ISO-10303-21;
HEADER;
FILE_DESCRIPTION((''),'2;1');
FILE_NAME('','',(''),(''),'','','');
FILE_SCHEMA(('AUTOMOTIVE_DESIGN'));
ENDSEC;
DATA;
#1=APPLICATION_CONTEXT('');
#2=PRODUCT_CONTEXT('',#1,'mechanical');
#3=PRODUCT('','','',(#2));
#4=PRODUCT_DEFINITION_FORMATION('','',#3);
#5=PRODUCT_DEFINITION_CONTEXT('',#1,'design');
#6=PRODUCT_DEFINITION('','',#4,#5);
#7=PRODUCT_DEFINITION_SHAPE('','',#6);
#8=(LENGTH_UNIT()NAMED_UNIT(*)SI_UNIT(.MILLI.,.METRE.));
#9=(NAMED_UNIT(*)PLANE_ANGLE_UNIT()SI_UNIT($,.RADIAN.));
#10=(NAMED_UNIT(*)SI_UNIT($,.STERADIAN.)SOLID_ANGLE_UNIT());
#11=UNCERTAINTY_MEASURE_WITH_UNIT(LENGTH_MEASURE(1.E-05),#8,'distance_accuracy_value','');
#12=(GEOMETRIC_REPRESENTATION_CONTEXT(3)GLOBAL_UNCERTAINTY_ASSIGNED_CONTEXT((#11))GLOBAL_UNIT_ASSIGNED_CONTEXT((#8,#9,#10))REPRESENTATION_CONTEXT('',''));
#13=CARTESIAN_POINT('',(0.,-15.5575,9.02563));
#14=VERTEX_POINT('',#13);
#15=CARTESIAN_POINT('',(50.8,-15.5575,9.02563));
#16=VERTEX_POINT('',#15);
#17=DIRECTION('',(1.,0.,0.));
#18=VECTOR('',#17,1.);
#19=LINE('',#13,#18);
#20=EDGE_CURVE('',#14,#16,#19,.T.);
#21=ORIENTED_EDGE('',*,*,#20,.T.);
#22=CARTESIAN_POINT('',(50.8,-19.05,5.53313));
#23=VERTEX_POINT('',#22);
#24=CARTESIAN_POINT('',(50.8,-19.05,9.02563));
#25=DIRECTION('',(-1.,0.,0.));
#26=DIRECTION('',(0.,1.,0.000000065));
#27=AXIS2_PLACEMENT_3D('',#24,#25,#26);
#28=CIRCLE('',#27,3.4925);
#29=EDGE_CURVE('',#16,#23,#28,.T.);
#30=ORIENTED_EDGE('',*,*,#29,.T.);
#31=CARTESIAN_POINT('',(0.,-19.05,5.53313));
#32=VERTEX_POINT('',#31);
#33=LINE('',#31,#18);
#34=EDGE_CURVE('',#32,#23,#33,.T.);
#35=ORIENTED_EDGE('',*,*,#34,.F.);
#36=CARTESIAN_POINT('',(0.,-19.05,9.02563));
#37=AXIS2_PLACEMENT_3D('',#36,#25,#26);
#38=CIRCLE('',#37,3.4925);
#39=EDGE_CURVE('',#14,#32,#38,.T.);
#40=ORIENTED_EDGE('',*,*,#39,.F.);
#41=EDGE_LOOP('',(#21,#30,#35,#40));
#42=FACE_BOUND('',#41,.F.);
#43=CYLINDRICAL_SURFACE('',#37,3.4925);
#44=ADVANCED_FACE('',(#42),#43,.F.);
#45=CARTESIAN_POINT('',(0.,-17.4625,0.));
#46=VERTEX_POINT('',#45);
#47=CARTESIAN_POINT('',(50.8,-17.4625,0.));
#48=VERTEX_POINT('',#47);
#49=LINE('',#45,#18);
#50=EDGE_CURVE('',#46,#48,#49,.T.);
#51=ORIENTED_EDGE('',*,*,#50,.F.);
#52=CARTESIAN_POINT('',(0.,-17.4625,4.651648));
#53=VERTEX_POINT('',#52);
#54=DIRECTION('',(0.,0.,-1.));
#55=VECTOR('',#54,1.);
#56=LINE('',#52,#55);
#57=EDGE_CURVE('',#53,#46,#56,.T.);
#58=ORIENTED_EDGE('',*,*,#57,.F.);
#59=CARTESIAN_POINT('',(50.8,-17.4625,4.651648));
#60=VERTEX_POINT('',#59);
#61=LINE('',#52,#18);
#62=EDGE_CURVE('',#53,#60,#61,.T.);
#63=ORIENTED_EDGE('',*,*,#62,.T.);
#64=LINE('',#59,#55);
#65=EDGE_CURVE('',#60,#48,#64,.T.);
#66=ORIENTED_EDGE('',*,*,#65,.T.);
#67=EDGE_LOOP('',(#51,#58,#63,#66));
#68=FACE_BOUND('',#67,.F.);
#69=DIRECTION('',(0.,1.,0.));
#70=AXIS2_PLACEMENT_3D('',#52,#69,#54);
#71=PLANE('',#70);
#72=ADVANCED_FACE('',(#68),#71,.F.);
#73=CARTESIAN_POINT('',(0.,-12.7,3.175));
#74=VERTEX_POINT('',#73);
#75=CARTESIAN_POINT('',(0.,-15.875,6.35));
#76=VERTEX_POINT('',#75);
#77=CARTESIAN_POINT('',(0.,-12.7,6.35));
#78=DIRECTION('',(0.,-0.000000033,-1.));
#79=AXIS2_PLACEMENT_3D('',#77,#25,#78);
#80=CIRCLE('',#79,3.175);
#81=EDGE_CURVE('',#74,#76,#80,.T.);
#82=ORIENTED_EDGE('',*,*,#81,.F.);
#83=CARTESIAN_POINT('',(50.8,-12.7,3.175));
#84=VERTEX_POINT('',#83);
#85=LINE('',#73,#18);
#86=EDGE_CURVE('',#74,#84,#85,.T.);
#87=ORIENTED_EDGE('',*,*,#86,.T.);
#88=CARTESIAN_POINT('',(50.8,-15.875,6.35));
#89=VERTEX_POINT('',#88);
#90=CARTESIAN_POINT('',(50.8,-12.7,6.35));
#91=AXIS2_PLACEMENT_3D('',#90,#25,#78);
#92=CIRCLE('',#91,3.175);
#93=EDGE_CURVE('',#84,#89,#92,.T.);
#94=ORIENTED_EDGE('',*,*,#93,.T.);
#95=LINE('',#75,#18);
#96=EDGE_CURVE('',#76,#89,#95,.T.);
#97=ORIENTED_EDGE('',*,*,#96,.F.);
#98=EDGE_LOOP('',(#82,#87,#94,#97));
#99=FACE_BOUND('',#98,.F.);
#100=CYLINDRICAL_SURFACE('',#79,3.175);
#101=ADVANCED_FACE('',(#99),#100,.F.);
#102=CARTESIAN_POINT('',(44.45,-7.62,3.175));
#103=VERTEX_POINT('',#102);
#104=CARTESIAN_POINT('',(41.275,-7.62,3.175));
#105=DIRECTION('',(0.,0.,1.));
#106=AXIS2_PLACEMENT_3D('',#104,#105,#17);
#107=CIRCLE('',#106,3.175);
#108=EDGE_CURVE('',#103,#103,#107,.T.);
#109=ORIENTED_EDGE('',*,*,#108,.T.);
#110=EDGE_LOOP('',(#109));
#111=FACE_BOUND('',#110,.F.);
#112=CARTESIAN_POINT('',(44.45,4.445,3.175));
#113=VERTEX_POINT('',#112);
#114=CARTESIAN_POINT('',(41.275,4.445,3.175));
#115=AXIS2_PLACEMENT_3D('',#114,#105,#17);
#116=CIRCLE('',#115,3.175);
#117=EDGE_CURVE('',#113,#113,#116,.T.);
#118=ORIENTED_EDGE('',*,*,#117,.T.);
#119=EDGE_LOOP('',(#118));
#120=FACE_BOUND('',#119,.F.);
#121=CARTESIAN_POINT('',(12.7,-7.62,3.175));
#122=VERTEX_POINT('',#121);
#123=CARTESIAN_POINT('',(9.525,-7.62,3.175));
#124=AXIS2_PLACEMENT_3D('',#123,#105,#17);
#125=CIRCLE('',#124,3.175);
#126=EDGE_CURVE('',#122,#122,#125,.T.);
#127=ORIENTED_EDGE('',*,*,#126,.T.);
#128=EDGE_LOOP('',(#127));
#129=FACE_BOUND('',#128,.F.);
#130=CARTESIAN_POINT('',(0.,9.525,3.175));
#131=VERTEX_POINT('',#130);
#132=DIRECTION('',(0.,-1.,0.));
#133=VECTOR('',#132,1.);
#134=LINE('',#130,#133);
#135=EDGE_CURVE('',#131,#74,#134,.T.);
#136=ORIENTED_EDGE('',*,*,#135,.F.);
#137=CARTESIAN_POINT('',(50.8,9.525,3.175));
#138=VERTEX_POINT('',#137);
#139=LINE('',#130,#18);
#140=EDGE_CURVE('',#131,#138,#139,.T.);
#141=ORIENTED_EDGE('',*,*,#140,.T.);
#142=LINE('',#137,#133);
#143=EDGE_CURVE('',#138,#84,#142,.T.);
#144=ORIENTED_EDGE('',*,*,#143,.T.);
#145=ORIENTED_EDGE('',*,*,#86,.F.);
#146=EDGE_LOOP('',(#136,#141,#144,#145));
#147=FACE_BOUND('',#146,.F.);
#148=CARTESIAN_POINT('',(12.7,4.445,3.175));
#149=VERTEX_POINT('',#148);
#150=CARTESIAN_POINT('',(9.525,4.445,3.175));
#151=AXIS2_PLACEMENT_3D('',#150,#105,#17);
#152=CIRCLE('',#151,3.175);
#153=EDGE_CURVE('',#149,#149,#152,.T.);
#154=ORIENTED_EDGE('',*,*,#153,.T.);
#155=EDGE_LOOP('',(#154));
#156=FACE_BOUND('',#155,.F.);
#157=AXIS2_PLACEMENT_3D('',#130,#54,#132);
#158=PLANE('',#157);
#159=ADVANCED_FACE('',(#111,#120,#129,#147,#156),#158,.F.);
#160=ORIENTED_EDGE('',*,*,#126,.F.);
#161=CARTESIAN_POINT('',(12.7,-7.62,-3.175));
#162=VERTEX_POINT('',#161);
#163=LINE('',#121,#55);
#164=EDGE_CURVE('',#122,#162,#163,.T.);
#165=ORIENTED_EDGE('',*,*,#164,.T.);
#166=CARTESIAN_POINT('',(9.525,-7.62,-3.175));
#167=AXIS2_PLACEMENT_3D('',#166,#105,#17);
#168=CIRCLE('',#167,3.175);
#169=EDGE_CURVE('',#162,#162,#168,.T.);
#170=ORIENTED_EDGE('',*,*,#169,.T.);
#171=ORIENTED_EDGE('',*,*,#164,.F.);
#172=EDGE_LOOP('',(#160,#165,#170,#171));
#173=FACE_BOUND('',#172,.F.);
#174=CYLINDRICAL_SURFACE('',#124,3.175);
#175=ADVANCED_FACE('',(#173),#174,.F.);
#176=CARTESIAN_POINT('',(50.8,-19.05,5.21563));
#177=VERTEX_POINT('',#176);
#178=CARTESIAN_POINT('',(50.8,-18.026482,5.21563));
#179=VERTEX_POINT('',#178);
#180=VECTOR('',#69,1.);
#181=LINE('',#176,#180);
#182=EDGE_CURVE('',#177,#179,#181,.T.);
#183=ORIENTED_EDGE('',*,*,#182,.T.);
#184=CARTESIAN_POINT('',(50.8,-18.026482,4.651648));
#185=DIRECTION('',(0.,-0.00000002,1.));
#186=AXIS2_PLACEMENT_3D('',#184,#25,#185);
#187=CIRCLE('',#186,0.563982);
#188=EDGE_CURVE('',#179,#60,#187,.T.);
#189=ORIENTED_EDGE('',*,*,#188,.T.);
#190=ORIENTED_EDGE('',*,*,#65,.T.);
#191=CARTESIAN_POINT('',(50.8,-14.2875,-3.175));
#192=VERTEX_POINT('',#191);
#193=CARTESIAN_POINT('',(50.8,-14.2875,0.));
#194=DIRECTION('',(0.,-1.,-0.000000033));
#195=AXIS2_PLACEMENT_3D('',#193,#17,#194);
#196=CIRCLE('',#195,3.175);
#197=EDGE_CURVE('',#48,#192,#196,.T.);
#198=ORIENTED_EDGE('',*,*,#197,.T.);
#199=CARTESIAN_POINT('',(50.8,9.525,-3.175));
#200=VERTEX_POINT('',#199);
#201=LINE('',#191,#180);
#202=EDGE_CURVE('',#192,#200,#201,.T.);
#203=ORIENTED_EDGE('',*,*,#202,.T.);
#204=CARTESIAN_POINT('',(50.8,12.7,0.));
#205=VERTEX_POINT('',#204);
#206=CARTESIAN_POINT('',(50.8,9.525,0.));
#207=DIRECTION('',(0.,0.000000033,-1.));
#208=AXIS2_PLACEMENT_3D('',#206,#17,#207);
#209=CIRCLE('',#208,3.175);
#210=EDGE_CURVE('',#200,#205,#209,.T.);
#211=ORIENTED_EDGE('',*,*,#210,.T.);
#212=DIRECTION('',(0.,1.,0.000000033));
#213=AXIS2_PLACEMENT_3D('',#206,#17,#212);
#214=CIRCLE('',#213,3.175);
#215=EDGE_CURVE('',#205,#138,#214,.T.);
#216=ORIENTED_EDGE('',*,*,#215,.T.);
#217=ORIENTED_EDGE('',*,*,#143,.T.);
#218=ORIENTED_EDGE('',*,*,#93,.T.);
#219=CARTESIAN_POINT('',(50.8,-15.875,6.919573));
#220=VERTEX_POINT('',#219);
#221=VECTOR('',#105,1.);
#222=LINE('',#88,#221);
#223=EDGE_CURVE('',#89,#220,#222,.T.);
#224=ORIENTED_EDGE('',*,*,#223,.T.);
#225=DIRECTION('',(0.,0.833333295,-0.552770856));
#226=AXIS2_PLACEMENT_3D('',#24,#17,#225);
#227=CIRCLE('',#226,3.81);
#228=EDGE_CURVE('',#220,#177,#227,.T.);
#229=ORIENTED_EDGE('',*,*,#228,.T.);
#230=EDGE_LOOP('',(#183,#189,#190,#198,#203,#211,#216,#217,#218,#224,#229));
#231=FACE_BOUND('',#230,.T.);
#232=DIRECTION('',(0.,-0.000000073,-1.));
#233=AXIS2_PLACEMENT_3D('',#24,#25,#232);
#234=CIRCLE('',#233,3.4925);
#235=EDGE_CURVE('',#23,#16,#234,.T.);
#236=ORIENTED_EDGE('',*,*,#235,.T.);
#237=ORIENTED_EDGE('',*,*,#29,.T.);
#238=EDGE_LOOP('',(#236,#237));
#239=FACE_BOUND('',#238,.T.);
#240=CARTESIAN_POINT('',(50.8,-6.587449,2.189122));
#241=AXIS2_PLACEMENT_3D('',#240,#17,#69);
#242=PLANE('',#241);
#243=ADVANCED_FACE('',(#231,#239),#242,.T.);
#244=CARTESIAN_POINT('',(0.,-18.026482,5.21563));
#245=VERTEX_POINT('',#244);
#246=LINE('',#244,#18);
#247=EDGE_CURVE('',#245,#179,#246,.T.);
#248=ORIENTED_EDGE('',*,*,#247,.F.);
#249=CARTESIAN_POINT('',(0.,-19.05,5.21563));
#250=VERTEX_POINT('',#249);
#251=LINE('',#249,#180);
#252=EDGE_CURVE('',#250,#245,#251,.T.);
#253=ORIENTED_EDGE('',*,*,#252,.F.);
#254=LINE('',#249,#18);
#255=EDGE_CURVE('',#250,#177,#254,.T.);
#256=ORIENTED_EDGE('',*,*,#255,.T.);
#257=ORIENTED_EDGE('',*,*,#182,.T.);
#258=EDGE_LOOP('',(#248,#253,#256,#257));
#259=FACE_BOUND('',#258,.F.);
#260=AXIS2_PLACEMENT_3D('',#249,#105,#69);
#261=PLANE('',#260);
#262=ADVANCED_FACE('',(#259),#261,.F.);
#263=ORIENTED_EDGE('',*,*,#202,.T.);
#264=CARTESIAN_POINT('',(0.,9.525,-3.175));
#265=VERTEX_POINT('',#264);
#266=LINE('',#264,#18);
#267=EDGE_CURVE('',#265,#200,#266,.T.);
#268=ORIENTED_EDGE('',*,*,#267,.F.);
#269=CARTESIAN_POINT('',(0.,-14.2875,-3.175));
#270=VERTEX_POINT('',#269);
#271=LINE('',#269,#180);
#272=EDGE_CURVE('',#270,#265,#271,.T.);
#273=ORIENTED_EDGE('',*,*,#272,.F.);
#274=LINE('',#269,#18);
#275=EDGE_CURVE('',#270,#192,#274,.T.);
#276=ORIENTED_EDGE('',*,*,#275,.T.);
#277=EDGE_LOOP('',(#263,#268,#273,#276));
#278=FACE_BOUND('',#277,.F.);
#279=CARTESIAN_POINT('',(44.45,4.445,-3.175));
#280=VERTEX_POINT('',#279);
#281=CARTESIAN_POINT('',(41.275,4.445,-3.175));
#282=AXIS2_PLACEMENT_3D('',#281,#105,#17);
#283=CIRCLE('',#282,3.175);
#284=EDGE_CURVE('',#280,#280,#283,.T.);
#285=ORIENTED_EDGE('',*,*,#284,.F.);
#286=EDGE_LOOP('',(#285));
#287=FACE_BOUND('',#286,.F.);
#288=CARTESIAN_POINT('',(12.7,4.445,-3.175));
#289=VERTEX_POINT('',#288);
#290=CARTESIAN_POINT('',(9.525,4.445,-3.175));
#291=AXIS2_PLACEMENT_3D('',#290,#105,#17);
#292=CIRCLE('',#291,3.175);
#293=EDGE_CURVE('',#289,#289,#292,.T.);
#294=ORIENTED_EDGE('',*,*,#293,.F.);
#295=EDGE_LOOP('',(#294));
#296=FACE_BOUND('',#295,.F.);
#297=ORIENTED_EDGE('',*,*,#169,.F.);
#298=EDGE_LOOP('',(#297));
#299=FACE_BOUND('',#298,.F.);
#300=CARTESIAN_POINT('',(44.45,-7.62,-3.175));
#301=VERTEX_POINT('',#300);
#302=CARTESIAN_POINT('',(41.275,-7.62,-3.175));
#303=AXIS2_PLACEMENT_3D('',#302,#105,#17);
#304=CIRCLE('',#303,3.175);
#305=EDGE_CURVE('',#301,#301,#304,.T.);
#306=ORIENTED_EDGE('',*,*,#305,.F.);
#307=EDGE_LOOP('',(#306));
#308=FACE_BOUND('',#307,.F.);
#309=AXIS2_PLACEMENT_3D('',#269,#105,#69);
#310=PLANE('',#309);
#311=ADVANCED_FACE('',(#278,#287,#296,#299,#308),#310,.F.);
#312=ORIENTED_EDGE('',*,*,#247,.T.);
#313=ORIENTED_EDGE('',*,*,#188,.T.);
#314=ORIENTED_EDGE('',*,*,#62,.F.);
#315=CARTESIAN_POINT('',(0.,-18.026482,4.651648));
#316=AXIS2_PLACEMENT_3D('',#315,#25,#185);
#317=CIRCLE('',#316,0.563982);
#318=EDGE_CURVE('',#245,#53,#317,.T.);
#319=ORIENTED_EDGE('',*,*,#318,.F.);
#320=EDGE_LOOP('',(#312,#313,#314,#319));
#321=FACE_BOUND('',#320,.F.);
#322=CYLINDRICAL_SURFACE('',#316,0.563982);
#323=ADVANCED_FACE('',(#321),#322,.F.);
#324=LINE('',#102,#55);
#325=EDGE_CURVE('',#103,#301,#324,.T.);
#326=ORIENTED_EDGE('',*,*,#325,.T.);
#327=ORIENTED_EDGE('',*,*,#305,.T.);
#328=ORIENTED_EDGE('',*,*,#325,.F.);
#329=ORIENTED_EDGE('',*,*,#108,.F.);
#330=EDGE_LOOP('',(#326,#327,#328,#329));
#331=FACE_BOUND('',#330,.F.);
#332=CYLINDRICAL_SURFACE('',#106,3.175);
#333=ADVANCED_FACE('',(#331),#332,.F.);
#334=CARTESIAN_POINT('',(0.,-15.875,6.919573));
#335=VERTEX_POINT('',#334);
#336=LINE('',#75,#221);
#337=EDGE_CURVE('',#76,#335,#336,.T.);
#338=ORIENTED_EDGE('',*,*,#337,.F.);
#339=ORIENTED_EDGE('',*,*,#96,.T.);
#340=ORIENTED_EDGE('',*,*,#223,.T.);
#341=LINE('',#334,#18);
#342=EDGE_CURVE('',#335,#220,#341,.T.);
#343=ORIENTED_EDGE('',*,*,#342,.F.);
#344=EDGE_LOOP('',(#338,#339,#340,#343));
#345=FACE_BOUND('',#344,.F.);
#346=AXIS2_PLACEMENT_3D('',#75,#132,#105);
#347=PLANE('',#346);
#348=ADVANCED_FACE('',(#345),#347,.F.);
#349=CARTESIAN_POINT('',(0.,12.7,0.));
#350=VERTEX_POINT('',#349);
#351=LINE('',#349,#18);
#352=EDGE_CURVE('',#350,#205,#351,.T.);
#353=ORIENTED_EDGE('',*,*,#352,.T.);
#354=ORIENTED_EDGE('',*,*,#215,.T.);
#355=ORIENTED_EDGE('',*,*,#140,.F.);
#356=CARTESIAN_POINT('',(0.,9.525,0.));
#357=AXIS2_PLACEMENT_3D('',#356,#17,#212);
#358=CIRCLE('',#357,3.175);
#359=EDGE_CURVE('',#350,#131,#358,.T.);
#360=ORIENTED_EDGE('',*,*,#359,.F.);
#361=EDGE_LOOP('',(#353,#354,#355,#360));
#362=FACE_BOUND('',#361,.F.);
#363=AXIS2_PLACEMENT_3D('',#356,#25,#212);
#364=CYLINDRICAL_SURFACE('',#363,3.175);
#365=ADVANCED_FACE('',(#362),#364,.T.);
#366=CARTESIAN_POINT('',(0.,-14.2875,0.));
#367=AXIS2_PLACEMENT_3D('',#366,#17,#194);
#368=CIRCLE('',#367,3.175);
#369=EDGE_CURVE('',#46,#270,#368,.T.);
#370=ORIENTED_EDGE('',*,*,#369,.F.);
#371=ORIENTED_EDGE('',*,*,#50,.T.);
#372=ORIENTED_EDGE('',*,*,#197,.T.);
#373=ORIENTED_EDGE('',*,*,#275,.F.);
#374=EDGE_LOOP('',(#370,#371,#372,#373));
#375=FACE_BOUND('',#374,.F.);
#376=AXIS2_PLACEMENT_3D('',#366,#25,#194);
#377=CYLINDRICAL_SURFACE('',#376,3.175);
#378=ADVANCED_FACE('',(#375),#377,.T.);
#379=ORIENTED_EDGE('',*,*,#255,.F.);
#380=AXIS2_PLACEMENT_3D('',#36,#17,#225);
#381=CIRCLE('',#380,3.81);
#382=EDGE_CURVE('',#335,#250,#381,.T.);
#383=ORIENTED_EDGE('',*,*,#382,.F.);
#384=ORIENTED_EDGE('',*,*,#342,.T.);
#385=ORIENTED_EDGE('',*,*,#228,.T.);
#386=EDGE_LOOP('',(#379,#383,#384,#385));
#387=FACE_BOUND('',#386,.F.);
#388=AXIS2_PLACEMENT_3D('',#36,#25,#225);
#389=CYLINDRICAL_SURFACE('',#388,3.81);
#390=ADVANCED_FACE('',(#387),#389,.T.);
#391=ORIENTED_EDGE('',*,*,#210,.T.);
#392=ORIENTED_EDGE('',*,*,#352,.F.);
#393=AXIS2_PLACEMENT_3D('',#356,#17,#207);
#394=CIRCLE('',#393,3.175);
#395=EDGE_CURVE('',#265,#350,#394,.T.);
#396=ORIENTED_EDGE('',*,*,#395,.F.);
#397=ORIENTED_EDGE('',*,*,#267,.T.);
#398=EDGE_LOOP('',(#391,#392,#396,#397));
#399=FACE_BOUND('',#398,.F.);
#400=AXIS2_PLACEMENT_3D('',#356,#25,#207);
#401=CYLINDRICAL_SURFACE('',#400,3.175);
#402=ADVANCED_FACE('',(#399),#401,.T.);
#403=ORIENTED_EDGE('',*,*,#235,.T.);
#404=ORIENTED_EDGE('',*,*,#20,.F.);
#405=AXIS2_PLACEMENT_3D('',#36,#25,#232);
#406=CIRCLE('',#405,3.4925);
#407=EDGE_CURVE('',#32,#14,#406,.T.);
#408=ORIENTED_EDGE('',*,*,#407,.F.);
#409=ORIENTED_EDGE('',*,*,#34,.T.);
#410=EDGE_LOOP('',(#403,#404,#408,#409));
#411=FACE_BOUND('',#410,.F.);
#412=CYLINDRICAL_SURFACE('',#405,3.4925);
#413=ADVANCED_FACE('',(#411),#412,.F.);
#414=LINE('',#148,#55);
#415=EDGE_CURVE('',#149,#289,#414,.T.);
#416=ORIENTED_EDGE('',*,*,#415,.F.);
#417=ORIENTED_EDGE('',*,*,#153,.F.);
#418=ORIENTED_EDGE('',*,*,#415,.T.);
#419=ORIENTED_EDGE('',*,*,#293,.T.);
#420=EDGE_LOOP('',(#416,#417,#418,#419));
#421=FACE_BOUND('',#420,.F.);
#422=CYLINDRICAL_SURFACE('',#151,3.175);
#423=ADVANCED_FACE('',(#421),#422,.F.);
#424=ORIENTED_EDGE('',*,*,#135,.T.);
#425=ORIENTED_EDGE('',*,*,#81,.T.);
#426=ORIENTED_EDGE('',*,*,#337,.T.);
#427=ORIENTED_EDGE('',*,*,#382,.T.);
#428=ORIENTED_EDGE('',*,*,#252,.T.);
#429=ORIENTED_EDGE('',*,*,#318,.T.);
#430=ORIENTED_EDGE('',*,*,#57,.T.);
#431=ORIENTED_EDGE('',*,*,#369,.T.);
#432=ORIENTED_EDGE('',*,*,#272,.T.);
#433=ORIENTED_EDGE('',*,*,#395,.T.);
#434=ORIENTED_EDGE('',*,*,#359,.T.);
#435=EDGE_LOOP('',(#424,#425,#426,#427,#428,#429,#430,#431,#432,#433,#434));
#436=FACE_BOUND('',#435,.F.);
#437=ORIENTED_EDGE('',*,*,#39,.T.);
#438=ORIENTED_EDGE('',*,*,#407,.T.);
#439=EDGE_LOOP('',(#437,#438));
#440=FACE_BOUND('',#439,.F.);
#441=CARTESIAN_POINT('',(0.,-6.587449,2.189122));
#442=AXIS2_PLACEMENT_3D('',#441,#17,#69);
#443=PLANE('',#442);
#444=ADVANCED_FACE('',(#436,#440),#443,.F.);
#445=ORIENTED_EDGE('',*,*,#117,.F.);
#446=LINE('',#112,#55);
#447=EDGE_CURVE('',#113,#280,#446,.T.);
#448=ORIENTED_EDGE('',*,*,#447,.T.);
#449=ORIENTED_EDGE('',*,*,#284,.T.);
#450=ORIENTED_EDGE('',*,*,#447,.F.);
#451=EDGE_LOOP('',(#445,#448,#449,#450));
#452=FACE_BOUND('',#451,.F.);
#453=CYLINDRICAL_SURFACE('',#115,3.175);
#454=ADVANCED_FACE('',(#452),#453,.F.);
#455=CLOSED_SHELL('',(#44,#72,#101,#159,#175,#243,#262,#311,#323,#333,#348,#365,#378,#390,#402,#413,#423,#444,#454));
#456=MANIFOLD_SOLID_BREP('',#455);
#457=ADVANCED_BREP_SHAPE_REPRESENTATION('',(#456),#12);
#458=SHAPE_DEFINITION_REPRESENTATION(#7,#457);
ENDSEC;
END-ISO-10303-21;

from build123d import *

# Parameters (mm, degrees)
F1_DEPTH = 50.8
F2_R     = 3.175
F3_DEPTH = 25.4


with BuildPart() as f1:
    # F0 (on Right) → F1 (new body)
    with BuildSketch(Plane.YZ):
        with BuildLine():
            ThreePointArc((12.7, 0), (11.770064, 2.245064), (9.525, 3.175))
            Line((9.525, 3.175), (-12.7, 3.175))
            ThreePointArc((-12.7, 3.175), (-14.945064, 4.104936), (-15.875, 6.35))
            Line((-15.875, 6.35), (-15.875, 6.919573))
            ThreePointArc((-15.875, 6.919573), (-20.851669, 12.382725), (-19.05, 5.21563))
            Line((-19.05, 5.21563), (-18.026482, 5.21563))
            ThreePointArc((-18.026482, 5.21563), (-17.627686, 5.050443), (-17.4625, 4.651648))
            Line((-17.4625, 4.651648), (-17.4625, 0))
            ThreePointArc((-17.4625, 0), (-16.532564, -2.245064), (-14.2875, -3.175))
            Line((-14.2875, -3.175), (-12.7, -3.175))
            Line((-12.7, -3.175), (9.525, -3.175))
            ThreePointArc((9.525, -3.175), (11.770064, -2.245064), (12.7, 0))
        make_face()
        with BuildLine():
            ThreePointArc((-15.5575, 9.02563), (-16.58043, 6.556059), (-19.05, 5.53313))
            ThreePointArc((-19.05, 5.53313), (-21.51957, 11.4952), (-15.5575, 9.02563))
        make_face(mode=Mode.SUBTRACT)
    extrude(amount=F1_DEPTH)

    # F2 (on face) → F3 (cut)
    with BuildSketch(Plane.XY.offset(3.175)):
        with Locations((41.275, -7.62)):
            Circle(F2_R)
        with Locations((41.275, 4.445)):
            Circle(F2_R)
        with Locations((9.525, 4.445)):
            Circle(F2_R)
        with Locations((9.525, -7.62)):
            Circle(F2_R)
    extrude(amount=-F3_DEPTH, mode=Mode.SUBTRACT)


solid = f1.part
